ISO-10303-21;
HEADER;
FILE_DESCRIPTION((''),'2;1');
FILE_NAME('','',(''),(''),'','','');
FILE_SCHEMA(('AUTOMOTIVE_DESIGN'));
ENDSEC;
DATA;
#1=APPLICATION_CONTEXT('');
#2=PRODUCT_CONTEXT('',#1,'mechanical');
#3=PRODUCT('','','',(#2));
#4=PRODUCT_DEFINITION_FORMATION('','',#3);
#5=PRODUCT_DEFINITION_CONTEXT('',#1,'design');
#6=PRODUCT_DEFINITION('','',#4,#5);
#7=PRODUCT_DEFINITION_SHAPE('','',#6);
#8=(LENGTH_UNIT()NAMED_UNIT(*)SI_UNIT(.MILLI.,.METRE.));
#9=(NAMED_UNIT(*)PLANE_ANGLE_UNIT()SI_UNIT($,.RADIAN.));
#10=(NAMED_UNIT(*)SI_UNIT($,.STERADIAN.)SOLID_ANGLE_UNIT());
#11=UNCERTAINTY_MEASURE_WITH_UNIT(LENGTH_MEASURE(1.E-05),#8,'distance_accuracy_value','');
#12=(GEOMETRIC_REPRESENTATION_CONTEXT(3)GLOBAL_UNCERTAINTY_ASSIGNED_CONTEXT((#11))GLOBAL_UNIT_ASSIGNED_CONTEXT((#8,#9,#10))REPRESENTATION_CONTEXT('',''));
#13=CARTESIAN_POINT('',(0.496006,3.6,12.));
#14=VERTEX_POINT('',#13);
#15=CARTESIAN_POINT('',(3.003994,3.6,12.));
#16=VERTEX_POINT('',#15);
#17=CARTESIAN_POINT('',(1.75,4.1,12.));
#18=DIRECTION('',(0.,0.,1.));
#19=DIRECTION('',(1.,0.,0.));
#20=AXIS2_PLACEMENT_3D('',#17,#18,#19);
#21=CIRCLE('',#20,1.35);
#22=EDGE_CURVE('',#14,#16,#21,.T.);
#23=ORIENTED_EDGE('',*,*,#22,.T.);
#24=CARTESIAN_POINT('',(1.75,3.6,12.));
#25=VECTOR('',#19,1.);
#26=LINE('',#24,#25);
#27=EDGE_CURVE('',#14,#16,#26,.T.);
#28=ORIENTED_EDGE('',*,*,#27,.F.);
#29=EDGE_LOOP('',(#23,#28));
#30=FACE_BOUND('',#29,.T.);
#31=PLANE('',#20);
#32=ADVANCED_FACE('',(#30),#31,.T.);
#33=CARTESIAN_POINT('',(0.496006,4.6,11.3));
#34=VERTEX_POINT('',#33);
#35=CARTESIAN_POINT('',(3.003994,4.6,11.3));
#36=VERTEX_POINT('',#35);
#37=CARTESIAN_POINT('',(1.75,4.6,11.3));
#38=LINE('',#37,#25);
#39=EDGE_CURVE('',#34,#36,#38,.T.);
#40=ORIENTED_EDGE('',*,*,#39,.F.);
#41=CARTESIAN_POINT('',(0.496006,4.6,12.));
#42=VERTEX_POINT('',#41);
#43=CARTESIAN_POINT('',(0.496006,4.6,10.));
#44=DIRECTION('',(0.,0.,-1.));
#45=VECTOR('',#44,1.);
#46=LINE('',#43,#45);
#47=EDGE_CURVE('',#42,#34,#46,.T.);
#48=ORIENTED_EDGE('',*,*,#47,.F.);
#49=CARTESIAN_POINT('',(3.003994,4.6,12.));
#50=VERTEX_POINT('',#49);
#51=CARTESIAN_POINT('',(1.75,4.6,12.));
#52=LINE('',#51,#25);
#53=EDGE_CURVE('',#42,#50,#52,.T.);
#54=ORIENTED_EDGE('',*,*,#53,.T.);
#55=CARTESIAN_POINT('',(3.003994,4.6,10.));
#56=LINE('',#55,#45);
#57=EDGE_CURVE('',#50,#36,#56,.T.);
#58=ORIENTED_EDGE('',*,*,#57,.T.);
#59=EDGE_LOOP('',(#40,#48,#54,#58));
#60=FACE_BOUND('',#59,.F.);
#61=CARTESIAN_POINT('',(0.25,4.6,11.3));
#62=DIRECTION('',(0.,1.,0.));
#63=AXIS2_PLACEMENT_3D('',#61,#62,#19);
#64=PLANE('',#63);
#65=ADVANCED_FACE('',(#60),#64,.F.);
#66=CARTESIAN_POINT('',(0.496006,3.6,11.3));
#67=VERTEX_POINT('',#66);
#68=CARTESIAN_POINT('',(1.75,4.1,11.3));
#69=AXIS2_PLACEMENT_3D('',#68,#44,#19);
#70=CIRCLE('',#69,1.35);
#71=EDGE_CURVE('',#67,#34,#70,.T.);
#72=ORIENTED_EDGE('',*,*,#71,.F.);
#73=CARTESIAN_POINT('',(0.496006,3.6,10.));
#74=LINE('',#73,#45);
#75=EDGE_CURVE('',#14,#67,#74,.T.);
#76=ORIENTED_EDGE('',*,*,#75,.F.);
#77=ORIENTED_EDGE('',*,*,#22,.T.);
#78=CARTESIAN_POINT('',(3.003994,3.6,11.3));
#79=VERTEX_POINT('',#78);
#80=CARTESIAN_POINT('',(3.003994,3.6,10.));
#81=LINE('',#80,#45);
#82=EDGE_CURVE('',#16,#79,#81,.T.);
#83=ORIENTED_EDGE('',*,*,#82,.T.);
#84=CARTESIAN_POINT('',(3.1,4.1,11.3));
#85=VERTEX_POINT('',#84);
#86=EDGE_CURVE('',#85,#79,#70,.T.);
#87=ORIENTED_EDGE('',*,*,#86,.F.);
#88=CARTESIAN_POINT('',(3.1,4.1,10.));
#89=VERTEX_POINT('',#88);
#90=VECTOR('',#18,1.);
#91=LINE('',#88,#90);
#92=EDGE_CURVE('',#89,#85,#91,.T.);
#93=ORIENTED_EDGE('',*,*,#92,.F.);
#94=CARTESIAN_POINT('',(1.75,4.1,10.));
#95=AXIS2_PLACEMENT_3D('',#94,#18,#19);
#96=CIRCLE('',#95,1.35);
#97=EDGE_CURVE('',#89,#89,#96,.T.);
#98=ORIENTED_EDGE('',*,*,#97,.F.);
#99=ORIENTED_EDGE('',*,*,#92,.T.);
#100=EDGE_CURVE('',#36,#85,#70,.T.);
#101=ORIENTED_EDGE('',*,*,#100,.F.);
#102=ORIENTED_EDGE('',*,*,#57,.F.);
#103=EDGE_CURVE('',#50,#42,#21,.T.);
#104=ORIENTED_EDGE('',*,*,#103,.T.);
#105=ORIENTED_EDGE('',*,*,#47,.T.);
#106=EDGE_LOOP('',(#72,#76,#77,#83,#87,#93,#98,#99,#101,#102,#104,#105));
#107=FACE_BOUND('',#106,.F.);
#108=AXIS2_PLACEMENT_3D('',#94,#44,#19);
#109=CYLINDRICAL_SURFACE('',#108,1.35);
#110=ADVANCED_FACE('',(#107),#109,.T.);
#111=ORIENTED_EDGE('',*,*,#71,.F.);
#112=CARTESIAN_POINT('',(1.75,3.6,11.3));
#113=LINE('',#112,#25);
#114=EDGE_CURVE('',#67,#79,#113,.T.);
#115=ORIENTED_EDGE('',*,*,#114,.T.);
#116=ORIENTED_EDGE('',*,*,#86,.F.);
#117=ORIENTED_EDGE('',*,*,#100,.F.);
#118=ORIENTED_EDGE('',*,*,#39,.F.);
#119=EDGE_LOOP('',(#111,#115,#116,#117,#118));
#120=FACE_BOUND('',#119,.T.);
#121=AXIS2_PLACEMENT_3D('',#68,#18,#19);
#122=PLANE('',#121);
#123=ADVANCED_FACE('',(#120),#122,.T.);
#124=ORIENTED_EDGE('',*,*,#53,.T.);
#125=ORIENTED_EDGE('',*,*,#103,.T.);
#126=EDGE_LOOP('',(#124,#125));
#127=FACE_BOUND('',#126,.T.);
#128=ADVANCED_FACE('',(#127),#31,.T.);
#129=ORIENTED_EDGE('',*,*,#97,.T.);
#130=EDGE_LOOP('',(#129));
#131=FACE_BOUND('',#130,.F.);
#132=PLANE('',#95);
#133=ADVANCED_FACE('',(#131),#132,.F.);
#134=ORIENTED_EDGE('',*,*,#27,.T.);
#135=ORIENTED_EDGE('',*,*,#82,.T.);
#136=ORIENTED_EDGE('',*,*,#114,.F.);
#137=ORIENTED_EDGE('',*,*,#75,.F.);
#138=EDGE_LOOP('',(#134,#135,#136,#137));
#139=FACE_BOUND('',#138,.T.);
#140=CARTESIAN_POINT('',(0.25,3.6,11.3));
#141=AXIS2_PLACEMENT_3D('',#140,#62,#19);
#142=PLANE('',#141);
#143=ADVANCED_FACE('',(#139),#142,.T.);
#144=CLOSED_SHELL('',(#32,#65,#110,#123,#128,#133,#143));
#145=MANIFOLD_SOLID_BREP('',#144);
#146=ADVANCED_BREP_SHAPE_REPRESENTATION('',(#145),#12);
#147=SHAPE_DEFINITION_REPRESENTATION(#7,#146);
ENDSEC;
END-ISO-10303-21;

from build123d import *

# Parameters (mm, degrees)
BOX010_W          = 3
BOX010_H          = 1
BOX010_DEPTH      = 0.7
CYLINDER006_R     = 1.35
CYLINDER006_DEPTH = 2


with BuildPart() as cube006:
    # Box010 → Box010 (new body)
    with BuildSketch(Plane(origin=(-1.5, -0.5, 1.3), x_dir=(1, 0, 0), z_dir=(0, 0, 1))):
        with Locations((1.5, 0.5)):
            Rectangle(BOX010_W, BOX010_H)
    extrude(amount=BOX010_DEPTH)


with BuildPart() as cut010:
    # Cylinder006 → Cylinder006 (new body)
    with BuildSketch(Plane.XY):
        Circle(CYLINDER006_R)
    extrude(amount=CYLINDER006_DEPTH)

    # Cut010: cut Cube006
    add(cube006.part, mode=Mode.SUBTRACT)


with BuildPart() as cut010_1:
    # Cut010 placement: moved
    add(cut010.part.moved(Location((1.75, 4.1, 10))))


solid = cut010_1.part
